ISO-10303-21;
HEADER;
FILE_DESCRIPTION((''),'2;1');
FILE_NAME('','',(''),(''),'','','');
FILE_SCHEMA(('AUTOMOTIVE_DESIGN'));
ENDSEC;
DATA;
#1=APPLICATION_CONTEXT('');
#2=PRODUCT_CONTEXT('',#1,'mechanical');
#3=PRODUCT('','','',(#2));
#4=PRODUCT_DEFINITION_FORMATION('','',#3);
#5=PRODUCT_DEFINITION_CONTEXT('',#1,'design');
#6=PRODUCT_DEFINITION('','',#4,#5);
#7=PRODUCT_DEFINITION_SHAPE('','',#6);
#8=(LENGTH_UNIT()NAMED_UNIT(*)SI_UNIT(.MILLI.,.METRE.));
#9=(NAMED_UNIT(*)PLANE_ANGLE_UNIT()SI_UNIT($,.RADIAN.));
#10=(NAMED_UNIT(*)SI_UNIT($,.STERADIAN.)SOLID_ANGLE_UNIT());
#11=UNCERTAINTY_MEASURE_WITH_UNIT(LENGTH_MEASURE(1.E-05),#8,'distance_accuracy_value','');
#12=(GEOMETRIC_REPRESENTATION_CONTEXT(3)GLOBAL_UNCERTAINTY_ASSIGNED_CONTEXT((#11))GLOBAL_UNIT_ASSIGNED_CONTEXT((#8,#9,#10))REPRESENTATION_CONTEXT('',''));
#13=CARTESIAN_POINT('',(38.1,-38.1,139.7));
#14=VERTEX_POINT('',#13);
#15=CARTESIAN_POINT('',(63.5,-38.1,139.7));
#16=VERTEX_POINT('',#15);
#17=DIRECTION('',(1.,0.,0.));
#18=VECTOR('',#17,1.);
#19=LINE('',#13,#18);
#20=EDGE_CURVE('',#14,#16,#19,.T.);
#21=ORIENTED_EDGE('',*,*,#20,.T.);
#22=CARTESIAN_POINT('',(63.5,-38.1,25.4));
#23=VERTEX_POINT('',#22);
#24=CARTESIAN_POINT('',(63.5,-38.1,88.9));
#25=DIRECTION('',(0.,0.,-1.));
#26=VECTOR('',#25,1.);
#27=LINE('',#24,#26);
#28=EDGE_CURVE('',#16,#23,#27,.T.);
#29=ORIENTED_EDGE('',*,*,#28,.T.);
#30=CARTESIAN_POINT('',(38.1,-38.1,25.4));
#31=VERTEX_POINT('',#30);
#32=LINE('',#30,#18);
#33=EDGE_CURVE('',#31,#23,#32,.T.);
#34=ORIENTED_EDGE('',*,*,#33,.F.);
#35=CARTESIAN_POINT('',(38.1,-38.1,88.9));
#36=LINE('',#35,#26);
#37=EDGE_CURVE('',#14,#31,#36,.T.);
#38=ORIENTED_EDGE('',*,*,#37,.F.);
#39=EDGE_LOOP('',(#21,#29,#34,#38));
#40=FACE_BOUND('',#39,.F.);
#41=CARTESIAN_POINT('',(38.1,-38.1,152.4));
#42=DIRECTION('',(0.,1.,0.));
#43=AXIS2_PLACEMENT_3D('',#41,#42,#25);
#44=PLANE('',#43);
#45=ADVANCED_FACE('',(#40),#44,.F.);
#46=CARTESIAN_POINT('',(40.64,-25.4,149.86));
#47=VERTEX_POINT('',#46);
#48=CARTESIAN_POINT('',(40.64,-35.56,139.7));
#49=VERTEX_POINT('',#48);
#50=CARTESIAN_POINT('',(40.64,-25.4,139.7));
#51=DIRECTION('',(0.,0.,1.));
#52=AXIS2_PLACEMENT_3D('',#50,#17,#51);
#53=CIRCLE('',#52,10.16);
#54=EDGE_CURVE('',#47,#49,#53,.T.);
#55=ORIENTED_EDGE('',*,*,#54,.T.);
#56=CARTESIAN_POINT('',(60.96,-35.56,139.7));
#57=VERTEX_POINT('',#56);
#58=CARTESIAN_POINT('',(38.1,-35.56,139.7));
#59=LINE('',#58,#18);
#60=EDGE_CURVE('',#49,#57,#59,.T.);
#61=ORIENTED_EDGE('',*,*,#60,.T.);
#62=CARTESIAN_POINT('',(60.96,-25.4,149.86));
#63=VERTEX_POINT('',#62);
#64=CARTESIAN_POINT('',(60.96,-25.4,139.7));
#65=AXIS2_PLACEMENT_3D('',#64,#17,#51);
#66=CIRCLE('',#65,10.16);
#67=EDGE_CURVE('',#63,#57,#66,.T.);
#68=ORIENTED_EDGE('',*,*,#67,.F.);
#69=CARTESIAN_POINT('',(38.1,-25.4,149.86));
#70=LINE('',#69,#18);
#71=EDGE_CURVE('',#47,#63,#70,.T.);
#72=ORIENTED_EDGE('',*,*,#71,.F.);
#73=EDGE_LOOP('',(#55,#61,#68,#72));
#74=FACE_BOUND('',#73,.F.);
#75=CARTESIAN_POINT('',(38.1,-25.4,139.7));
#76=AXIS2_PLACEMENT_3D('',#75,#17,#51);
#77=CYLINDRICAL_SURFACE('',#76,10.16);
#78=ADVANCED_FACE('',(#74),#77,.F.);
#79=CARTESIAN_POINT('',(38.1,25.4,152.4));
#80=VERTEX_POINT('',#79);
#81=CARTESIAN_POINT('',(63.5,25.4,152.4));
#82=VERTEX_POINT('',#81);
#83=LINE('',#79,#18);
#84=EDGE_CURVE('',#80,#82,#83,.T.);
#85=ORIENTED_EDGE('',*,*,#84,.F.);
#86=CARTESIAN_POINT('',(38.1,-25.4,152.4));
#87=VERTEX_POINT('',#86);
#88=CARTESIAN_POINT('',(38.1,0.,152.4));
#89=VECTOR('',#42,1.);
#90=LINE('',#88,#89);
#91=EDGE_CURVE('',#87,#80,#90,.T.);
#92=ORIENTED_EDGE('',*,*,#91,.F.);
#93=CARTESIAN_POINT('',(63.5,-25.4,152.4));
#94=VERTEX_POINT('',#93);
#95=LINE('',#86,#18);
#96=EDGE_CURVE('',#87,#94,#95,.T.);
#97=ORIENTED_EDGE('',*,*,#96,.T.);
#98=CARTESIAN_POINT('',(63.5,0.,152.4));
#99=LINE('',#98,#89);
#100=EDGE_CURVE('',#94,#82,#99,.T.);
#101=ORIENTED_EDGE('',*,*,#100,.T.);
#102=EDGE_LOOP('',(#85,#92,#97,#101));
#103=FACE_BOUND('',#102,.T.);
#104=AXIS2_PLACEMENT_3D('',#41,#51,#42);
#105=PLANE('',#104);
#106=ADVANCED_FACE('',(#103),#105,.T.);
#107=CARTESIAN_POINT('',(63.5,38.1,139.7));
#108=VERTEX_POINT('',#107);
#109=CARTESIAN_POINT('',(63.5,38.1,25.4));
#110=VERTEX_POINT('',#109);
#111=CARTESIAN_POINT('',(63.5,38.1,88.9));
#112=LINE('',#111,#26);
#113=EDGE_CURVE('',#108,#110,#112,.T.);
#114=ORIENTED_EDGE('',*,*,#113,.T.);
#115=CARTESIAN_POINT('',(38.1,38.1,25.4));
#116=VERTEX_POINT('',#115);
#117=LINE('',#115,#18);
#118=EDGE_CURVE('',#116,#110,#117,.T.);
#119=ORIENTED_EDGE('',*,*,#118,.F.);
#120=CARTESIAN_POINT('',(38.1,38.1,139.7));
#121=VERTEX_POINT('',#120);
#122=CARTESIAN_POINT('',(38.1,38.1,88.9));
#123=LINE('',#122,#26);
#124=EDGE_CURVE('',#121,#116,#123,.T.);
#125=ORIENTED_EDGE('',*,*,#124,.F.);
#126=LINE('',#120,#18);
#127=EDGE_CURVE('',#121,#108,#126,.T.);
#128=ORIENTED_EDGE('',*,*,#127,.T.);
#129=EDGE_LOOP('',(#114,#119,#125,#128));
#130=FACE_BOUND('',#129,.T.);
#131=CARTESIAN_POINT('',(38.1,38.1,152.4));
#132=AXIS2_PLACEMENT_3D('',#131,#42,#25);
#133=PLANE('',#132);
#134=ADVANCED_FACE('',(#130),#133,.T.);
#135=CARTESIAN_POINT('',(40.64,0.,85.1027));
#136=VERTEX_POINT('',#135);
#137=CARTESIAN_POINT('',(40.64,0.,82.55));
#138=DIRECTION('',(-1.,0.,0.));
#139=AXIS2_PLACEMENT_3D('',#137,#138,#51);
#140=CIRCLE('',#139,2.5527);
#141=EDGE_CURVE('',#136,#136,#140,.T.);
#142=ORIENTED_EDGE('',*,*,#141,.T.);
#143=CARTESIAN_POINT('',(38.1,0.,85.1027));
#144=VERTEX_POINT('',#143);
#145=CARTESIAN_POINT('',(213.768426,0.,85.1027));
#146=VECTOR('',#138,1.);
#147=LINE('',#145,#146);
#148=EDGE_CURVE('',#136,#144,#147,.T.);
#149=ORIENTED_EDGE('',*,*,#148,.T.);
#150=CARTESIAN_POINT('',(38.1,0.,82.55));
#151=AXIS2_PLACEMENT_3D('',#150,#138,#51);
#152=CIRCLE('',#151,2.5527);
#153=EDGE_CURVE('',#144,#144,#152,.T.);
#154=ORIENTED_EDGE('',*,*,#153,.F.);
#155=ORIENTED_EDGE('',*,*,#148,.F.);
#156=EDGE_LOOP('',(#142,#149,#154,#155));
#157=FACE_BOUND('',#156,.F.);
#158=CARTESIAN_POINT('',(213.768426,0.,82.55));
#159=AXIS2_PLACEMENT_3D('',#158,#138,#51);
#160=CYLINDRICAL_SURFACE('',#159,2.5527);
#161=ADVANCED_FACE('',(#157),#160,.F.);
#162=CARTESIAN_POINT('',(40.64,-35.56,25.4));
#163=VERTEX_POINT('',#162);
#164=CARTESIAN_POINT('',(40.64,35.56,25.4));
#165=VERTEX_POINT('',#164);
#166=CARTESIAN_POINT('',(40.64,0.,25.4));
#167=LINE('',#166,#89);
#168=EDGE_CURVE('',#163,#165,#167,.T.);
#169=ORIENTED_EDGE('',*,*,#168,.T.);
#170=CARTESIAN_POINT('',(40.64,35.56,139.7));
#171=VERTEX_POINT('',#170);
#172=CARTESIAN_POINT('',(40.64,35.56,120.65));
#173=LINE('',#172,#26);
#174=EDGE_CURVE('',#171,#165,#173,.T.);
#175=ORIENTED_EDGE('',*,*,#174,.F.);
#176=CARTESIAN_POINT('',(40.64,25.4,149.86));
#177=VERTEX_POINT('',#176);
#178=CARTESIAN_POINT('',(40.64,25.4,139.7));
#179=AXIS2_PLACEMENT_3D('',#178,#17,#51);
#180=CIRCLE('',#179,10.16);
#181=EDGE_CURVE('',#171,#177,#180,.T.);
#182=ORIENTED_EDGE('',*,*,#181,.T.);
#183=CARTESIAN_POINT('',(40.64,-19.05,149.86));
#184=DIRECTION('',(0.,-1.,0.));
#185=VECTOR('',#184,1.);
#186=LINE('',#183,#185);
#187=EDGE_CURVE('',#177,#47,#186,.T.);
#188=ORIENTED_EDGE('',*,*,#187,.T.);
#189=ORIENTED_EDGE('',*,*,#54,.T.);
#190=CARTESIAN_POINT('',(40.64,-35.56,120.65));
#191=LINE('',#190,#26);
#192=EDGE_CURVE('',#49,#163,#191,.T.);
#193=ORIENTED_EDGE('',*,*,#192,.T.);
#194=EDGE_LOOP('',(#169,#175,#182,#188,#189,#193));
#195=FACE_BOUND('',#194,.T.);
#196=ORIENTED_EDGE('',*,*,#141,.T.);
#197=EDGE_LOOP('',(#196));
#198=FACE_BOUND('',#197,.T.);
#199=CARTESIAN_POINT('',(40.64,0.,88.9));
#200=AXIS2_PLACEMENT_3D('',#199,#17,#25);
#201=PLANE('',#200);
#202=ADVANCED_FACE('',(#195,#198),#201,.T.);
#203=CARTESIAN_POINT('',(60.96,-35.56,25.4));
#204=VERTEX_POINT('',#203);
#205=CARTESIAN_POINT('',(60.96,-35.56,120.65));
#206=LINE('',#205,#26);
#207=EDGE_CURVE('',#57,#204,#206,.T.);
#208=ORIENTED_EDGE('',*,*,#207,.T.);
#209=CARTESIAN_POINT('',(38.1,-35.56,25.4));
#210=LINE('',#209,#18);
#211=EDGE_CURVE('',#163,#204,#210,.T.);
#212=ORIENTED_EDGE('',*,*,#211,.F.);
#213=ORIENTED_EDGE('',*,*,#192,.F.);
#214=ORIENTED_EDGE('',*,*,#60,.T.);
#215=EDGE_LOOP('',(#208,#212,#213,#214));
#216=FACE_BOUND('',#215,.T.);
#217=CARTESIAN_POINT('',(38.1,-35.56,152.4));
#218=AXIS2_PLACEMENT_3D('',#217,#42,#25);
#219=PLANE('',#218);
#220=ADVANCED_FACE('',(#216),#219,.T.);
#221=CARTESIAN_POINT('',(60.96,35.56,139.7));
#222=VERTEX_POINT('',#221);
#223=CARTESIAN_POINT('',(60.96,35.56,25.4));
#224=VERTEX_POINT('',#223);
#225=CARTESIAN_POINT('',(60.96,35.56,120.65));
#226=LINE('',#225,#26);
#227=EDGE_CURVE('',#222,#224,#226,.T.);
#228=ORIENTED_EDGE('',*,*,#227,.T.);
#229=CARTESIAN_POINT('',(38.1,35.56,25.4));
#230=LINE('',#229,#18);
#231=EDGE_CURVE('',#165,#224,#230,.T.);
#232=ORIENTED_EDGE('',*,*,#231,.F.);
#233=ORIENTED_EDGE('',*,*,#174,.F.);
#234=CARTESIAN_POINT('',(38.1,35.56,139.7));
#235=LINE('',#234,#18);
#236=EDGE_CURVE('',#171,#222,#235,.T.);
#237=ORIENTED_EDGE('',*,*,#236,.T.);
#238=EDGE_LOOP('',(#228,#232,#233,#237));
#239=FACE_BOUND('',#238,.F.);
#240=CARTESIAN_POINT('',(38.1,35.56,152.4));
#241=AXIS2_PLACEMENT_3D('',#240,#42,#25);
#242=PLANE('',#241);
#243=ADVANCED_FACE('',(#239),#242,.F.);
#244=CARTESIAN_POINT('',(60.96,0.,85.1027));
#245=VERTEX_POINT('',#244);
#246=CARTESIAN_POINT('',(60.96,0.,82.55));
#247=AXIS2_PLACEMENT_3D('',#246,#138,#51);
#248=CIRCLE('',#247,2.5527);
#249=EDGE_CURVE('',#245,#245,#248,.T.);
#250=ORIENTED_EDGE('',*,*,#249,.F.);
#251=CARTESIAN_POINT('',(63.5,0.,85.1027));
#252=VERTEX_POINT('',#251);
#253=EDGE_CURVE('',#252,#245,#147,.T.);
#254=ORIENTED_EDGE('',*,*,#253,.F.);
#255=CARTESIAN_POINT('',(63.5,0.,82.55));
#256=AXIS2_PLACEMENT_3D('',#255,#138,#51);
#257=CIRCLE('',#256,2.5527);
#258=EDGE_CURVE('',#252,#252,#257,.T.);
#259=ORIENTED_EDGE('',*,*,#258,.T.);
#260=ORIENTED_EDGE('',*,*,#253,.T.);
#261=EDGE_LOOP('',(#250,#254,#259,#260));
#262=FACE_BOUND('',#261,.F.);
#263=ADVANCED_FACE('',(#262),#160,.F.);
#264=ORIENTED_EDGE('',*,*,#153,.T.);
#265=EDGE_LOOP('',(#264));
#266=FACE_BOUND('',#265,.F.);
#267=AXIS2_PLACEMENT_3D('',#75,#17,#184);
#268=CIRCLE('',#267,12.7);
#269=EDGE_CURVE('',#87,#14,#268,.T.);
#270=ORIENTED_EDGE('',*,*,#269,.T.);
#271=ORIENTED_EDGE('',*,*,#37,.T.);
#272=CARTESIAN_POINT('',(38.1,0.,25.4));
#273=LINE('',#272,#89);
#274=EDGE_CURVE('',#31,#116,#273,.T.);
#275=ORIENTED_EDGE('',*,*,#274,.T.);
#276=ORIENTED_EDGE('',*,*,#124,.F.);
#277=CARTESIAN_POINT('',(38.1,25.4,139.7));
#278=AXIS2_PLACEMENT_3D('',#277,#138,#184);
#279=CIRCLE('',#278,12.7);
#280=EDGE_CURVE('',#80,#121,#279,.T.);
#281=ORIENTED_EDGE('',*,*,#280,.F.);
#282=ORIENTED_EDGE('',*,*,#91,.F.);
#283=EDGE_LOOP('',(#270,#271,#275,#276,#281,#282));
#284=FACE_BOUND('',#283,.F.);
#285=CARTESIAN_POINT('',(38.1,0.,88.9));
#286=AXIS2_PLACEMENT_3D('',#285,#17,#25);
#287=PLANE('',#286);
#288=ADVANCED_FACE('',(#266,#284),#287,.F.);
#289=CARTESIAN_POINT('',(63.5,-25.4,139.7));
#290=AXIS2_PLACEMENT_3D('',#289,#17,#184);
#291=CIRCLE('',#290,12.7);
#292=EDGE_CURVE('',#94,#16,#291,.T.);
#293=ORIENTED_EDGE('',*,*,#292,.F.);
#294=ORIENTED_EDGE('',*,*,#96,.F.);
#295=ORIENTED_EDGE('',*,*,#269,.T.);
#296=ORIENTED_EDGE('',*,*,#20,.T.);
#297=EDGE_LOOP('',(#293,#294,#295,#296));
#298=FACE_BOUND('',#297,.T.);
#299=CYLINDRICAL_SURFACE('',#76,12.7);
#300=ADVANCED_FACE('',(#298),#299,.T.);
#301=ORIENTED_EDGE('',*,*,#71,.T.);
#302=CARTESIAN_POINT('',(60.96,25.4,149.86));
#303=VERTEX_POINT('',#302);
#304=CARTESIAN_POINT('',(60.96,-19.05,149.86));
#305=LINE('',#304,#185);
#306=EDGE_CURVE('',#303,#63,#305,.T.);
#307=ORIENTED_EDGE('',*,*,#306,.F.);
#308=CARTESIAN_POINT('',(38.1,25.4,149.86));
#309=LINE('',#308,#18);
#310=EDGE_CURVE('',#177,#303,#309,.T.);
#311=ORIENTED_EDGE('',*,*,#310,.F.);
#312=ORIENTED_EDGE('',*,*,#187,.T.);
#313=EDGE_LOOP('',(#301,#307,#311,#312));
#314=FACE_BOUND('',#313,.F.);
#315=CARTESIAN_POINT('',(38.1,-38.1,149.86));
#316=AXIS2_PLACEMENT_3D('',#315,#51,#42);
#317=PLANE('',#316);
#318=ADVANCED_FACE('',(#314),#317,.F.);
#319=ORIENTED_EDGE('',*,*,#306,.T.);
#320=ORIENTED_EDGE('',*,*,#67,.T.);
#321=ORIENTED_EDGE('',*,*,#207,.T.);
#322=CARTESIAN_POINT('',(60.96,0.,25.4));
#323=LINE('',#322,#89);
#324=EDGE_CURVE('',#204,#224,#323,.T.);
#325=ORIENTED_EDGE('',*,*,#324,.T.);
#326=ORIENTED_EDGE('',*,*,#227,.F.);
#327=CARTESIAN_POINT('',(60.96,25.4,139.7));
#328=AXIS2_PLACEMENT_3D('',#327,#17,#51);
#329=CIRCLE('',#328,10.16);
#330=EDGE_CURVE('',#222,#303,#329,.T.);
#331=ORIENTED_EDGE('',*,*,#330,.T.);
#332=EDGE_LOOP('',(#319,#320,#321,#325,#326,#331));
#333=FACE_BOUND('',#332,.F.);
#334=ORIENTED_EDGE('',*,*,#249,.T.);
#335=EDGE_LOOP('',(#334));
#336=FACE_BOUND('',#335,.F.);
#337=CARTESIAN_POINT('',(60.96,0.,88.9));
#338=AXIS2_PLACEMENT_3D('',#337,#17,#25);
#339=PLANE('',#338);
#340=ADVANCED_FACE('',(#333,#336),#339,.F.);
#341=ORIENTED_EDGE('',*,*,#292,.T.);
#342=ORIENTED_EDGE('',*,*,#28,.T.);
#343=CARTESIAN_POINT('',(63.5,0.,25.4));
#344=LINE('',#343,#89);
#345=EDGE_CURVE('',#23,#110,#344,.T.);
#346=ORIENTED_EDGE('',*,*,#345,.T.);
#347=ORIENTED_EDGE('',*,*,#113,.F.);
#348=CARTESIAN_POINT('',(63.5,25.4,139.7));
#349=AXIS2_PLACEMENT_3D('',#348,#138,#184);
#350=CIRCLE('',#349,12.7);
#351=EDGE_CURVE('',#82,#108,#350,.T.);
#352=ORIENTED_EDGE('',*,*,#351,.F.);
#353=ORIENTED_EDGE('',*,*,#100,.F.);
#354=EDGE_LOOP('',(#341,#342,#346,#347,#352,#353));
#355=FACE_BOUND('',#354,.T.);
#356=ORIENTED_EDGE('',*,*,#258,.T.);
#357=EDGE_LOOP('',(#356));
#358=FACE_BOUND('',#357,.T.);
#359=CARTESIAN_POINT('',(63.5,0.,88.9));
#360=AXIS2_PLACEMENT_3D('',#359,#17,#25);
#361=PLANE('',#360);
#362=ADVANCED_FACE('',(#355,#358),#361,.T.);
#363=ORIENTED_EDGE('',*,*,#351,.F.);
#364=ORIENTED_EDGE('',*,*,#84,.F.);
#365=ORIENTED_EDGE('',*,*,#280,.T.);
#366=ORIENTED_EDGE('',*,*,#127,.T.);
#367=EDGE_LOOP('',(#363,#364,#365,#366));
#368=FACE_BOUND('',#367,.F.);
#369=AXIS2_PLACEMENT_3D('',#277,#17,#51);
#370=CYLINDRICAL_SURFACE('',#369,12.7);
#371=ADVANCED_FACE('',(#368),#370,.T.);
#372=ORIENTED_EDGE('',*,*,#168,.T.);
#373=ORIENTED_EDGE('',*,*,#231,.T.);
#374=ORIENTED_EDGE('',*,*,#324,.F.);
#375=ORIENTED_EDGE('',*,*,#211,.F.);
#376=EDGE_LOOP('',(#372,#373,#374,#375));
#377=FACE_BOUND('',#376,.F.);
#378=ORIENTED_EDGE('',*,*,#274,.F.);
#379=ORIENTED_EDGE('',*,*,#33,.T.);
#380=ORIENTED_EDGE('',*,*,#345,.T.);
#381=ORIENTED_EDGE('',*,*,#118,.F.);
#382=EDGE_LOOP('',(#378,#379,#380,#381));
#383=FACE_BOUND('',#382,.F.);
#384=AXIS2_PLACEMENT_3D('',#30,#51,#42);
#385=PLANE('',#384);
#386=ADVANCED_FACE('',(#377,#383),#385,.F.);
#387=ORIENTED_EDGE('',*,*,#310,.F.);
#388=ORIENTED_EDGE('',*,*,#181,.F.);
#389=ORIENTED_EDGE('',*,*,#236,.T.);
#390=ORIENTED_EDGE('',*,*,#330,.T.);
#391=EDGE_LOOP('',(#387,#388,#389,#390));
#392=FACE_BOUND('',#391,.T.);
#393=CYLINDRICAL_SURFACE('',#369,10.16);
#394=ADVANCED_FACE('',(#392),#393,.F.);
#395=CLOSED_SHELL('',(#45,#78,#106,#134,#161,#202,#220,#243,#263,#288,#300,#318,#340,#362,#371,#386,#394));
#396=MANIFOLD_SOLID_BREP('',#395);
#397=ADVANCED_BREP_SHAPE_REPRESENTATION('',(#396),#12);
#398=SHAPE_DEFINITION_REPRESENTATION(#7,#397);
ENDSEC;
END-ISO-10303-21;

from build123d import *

# Parameters (mm, degrees)
F0_W     = 127
F0_H     = 76.2
F1_DEPTH = 25.4
F3_R     = 12.7
F4_T     = -2.54
F6_D     = 5.1054
F7_ANGLE = 90


with BuildPart() as f1:
    # F0 (on Top) → F1 (new body)
    with BuildSketch(Plane.XY):
        Rectangle(F0_W, F0_H)
    extrude(amount=F1_DEPTH)

    # F3
    f3_edges = [f1.edges().sort_by_distance(p)[0] for p in [
        (-63.5, -38.1, 12.7),
        (-63.5, 38.1, 12.7),
    ]]
    fillet(f3_edges, radius=F3_R)

    # F4
    f4_openings = [f1.faces().sort_by_distance(p)[0] for p in [
        (63.5, 0, 12.7),
    ]]
    offset(amount=F4_T, openings=f4_openings)

    # F6 (through all)
    with Locations(Plane.XY.offset(25.4)):
        with Locations((6.35, 0)):
            Hole(F6_D / 2)


with BuildPart() as f1_1:
    # F7: moved
    add(f1.part.rotate(Axis((63.5, 0, 25.4), (0, 1, 0)), F7_ANGLE))


solid = f1_1.part
